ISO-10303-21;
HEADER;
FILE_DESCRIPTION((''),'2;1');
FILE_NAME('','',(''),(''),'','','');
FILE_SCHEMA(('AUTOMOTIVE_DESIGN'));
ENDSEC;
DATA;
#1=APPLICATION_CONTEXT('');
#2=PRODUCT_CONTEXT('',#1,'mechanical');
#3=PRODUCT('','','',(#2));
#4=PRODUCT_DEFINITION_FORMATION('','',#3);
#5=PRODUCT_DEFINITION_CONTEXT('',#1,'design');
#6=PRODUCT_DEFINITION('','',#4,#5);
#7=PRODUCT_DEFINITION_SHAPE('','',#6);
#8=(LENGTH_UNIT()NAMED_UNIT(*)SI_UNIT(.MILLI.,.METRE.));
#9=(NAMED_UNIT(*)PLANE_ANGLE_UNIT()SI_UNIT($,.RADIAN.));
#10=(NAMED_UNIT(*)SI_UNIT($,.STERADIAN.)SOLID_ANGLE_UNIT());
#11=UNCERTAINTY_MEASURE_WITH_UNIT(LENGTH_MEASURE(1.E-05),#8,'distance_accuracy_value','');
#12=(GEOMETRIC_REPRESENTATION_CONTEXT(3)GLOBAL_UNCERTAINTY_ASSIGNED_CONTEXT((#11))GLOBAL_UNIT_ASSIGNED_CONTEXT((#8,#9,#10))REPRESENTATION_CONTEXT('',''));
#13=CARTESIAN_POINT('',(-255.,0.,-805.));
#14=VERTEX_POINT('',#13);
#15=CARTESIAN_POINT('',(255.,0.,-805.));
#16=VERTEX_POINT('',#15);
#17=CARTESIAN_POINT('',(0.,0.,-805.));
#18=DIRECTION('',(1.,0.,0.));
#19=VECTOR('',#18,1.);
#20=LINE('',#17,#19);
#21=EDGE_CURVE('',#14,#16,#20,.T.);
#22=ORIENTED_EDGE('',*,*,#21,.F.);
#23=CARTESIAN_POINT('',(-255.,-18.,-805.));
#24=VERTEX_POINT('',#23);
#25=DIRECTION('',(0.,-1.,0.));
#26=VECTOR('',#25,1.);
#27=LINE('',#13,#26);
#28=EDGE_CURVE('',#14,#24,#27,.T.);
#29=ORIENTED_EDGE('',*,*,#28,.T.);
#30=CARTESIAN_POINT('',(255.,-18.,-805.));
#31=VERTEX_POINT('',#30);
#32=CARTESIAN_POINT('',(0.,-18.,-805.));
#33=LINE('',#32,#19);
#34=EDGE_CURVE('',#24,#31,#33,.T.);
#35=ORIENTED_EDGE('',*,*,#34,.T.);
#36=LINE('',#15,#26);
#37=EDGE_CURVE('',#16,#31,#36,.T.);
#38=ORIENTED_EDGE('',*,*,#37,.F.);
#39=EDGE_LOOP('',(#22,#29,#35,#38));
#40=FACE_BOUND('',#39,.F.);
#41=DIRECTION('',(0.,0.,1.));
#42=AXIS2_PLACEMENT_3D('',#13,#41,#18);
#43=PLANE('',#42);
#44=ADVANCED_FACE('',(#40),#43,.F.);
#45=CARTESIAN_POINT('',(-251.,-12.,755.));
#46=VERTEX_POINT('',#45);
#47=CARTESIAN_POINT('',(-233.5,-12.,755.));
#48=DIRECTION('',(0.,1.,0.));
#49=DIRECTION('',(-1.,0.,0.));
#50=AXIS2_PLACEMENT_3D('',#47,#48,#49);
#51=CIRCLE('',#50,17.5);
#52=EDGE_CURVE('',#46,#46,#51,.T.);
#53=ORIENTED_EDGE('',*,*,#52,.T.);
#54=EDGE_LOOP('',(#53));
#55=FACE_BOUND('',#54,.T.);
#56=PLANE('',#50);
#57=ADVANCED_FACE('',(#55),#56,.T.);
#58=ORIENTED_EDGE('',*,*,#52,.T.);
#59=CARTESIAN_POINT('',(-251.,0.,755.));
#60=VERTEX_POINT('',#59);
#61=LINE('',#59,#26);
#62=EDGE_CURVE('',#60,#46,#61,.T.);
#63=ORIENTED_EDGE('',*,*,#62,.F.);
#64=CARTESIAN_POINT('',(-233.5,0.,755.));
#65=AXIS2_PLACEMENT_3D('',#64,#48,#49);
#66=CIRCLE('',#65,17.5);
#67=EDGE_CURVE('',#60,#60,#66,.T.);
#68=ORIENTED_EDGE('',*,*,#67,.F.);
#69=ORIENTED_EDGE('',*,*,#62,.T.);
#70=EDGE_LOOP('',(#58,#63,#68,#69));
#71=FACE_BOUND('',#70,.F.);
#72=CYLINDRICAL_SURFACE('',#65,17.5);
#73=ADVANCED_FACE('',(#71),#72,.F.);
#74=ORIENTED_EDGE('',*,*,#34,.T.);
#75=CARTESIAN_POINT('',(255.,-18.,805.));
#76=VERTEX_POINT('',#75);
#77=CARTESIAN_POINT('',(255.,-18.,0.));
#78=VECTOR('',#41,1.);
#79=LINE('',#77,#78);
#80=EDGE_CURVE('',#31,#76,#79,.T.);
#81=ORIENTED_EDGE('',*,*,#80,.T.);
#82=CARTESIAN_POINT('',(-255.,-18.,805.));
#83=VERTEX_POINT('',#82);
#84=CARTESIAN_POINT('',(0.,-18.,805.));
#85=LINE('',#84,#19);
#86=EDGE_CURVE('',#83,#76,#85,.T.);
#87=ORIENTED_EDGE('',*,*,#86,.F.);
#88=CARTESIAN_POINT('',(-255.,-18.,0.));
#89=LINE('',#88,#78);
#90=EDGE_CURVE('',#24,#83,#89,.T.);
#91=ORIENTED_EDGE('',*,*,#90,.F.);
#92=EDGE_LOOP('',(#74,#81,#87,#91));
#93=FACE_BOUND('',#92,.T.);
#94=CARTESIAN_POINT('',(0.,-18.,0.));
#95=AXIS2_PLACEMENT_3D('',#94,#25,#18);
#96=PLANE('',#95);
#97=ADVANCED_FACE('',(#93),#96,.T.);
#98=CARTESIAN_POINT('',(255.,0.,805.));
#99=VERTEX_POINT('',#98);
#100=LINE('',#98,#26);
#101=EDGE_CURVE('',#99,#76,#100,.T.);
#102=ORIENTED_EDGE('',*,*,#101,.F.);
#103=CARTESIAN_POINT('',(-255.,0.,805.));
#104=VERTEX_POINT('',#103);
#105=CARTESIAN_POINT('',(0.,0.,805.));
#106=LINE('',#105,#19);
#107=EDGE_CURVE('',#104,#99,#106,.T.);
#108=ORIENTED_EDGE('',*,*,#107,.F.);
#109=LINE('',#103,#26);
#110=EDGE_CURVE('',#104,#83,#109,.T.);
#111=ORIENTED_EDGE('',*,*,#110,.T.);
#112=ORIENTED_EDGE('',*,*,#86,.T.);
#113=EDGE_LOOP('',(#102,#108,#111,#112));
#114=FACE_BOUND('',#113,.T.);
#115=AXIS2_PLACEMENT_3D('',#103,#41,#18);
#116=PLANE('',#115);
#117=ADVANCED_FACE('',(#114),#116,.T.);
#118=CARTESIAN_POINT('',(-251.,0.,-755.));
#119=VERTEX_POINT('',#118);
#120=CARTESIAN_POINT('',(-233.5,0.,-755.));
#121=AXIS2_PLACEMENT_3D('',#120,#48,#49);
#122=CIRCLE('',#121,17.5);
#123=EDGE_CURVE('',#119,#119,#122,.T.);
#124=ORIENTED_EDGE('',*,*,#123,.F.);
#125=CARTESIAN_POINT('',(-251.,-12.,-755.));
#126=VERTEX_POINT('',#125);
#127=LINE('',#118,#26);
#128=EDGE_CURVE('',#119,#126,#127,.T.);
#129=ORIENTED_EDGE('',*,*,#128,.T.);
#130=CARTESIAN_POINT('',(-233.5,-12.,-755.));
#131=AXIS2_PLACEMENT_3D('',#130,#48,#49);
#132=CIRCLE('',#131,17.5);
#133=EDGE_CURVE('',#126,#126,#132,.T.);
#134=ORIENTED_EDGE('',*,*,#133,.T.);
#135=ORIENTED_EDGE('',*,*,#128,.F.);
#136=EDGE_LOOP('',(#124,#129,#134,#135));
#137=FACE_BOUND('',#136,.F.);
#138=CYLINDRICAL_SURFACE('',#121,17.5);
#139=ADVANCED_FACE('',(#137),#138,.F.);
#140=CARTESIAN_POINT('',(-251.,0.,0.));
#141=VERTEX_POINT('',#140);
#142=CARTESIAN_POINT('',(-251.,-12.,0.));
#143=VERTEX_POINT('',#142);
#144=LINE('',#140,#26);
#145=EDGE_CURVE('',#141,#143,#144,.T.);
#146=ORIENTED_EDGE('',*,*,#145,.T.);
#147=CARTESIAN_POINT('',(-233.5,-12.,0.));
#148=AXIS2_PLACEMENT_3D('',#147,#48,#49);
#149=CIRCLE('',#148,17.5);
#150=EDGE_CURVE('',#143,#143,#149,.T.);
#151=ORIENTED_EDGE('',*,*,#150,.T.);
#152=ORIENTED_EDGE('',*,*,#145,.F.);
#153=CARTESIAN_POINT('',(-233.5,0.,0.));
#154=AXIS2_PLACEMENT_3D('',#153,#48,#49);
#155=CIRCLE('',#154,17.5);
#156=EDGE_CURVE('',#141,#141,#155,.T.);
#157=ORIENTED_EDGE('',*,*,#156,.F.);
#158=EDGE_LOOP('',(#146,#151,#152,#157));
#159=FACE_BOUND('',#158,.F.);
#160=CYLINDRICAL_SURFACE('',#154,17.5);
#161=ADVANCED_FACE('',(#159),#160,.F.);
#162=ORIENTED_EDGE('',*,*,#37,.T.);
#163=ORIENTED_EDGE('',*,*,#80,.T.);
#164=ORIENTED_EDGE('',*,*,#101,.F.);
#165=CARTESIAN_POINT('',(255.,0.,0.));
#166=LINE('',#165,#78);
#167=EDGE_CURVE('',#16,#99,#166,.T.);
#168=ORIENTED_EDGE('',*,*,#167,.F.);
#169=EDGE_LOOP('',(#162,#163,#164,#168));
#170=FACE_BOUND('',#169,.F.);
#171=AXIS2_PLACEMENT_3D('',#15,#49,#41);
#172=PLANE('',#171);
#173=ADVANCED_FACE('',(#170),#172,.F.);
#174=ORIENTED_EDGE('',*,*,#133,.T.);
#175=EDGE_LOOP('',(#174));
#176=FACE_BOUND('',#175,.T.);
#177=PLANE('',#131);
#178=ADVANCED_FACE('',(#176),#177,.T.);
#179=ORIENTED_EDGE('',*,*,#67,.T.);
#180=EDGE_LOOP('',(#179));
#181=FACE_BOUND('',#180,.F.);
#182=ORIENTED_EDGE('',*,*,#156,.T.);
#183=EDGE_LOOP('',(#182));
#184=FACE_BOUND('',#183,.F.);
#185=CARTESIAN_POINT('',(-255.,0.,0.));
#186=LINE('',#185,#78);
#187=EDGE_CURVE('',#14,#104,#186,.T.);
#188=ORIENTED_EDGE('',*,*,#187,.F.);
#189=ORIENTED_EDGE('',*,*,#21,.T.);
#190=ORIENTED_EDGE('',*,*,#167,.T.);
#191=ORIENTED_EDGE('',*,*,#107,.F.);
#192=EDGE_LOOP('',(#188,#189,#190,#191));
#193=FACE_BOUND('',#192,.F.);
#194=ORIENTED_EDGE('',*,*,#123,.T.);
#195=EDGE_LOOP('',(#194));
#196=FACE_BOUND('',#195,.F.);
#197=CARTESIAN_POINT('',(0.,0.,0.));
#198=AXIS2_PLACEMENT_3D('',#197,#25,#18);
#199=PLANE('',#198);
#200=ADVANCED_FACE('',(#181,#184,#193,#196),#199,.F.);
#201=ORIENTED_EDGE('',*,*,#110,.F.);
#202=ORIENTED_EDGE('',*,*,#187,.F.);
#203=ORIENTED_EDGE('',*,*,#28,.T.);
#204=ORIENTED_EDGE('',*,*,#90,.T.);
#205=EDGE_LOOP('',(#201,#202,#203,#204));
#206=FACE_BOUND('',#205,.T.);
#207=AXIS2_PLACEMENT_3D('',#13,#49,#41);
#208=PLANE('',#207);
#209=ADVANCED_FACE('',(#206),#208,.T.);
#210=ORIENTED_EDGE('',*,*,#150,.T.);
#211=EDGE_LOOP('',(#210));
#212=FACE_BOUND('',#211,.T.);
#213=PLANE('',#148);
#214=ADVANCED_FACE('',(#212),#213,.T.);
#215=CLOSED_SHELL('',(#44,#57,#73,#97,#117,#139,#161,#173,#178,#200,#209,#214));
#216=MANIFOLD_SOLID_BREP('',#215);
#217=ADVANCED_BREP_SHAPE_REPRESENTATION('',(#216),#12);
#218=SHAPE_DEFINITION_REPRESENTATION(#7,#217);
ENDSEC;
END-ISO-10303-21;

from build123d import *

# Parameters (mm, degrees)
F0_W     = 510
F0_H     = 1610
F1_DEPTH = 18
F2_R     = 17.5
F3_DEPTH = 12


with BuildPart() as f1:
    # F0 (on Front) → F1 (new body)
    with BuildSketch(Plane.XZ):
        Rectangle(F0_W, F0_H)
    extrude(amount=F1_DEPTH)

    # F2 (on face) → F3 (cut)
    with BuildSketch(Plane(origin=(0, 0, 0), x_dir=(-1, 0, 0), z_dir=(0, 1, 0))):
        with Locations((233.5, -755)):
            Circle(F2_R)
        with Locations((233.5, 0)):
            Circle(F2_R)
        with Locations((233.5, 755)):
            Circle(F2_R)
    extrude(amount=-F3_DEPTH, mode=Mode.SUBTRACT)


solid = f1.part
